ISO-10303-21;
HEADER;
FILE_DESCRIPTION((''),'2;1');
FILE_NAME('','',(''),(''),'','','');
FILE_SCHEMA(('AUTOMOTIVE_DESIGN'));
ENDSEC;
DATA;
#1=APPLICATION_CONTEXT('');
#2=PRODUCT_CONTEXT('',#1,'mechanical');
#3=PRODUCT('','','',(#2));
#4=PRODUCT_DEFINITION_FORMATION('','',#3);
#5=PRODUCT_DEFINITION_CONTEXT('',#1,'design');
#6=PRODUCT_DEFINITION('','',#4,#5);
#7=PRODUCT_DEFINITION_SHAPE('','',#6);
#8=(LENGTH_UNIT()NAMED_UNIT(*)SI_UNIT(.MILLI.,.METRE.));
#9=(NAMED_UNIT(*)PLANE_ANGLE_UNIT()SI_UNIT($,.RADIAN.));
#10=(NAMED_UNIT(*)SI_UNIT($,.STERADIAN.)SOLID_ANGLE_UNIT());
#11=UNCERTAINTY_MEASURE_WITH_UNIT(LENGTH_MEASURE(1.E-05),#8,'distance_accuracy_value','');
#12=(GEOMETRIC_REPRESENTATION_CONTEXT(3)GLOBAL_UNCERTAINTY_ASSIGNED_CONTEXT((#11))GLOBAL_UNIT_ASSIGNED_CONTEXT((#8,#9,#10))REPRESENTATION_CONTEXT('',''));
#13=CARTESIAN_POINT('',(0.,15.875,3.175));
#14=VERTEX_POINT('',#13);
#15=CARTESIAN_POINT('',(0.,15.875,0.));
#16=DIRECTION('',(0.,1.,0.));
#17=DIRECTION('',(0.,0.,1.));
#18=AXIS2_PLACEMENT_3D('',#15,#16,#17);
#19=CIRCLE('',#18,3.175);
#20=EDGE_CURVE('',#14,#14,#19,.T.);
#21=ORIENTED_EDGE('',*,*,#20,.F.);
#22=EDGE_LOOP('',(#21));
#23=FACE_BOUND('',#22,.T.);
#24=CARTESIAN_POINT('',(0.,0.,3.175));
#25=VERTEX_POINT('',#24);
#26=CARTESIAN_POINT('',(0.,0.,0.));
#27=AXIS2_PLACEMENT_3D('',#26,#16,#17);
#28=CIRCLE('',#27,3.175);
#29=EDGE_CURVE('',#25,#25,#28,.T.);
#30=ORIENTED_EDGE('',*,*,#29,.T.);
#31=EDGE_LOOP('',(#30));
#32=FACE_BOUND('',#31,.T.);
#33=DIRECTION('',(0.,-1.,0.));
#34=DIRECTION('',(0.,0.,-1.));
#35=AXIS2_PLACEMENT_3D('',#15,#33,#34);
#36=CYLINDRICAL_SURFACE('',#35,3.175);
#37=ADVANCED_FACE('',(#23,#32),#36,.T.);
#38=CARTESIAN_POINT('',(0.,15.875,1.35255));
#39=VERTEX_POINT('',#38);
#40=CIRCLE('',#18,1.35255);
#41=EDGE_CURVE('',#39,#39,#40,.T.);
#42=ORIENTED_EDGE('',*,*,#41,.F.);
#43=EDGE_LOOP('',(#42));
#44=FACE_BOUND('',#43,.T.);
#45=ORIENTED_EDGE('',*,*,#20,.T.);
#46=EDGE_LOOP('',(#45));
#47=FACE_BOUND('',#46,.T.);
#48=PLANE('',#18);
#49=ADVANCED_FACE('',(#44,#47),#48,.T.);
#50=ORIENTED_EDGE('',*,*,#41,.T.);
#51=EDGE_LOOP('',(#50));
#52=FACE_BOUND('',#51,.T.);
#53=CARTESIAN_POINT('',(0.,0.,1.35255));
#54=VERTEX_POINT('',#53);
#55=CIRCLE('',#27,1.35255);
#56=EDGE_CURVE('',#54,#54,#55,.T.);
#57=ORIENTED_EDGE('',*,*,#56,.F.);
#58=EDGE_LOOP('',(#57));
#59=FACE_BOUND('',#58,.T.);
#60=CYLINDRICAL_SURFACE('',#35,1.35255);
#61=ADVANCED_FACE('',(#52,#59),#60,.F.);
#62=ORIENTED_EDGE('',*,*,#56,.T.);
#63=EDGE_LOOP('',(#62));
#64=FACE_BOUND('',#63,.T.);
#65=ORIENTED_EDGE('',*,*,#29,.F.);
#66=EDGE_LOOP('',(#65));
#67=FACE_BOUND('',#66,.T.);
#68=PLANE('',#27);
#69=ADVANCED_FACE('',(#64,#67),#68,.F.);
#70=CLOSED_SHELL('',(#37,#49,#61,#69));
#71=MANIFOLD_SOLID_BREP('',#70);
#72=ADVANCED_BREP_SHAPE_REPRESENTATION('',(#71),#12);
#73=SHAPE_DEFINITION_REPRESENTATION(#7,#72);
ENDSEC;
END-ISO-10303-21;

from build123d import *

# Parameters (mm, degrees)
SKETCH1_R      = 3.175
SKETCH1_R_2    = 1.35255
EXTRUDE1_DEPTH = 15.875


with BuildPart() as part:
    # Sketch1 → Extrude1 (new body)
    with BuildSketch(Plane(origin=(0, 0, 0), x_dir=(1, 0, 0), z_dir=(0, 1, 0))):
        Circle(SKETCH1_R)
        Circle(SKETCH1_R_2, mode=Mode.SUBTRACT)
    extrude(amount=EXTRUDE1_DEPTH)


solid = part.part
